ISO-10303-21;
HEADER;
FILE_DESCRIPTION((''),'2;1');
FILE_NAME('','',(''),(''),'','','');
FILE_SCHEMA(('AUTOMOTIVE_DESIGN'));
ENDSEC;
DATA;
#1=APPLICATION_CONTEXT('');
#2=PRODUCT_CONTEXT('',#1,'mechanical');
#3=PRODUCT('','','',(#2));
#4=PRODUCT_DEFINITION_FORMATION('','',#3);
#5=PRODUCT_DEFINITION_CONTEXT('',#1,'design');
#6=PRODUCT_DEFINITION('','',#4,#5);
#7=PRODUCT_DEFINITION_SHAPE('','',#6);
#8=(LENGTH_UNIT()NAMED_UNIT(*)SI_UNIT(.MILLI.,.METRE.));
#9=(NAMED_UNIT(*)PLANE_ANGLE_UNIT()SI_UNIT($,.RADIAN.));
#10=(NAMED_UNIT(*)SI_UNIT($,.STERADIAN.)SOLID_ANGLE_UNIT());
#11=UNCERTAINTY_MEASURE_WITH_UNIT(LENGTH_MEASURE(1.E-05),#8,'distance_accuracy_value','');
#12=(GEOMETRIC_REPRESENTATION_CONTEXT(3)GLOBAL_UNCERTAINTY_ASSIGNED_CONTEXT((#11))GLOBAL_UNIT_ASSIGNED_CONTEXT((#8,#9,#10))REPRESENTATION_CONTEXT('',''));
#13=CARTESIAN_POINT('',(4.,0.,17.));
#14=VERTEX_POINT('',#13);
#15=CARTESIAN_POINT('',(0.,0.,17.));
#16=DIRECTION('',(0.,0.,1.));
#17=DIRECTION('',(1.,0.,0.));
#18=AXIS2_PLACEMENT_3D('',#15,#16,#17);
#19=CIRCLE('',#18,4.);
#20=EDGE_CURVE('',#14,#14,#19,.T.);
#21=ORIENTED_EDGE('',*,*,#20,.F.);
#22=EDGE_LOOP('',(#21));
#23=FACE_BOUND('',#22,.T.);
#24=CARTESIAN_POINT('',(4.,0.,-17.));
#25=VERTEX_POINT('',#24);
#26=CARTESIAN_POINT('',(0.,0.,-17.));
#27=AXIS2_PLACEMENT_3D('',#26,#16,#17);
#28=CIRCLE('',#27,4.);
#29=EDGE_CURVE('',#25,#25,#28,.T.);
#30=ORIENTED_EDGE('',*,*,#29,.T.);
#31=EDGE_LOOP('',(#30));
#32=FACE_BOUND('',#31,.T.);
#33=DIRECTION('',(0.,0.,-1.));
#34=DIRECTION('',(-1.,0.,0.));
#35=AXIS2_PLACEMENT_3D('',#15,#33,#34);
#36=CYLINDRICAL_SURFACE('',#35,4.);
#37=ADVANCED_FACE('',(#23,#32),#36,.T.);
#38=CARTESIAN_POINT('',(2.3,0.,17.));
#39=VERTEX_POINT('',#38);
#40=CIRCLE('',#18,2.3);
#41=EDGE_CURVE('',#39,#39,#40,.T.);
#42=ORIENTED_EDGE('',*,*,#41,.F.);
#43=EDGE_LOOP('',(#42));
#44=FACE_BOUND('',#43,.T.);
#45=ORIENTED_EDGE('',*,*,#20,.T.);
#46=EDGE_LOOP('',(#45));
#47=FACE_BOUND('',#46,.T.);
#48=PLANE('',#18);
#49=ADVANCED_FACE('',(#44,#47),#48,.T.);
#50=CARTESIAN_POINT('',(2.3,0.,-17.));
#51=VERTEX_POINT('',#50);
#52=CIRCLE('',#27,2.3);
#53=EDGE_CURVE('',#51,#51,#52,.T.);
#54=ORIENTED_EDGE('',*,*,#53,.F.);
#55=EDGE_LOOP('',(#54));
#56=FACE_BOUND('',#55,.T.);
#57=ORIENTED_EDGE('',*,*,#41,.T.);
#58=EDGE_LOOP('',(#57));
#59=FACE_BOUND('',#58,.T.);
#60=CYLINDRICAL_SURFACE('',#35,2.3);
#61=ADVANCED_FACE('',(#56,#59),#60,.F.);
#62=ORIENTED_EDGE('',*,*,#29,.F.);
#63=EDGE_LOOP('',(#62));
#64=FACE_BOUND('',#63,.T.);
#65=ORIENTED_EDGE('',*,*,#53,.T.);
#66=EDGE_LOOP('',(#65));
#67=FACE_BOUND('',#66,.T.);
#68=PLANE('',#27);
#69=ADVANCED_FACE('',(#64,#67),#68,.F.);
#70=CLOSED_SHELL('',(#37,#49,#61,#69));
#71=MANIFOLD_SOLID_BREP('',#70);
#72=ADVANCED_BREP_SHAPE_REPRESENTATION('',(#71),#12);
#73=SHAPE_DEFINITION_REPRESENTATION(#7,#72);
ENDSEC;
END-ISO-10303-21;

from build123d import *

# Parameters (mm, degrees)
ESQUISSE1_R        = 4
ESQUISSE1_R_2      = 2.3
BOSS_EXTRU_1_DEPTH = 17


with BuildPart() as part:
    # Esquisse1 → Boss.-Extru.1 (new body, symmetric)
    with BuildSketch(Plane.XY):
        Circle(ESQUISSE1_R)
        Circle(ESQUISSE1_R_2, mode=Mode.SUBTRACT)
    extrude(amount=BOSS_EXTRU_1_DEPTH, both=True)


solid = part.part
